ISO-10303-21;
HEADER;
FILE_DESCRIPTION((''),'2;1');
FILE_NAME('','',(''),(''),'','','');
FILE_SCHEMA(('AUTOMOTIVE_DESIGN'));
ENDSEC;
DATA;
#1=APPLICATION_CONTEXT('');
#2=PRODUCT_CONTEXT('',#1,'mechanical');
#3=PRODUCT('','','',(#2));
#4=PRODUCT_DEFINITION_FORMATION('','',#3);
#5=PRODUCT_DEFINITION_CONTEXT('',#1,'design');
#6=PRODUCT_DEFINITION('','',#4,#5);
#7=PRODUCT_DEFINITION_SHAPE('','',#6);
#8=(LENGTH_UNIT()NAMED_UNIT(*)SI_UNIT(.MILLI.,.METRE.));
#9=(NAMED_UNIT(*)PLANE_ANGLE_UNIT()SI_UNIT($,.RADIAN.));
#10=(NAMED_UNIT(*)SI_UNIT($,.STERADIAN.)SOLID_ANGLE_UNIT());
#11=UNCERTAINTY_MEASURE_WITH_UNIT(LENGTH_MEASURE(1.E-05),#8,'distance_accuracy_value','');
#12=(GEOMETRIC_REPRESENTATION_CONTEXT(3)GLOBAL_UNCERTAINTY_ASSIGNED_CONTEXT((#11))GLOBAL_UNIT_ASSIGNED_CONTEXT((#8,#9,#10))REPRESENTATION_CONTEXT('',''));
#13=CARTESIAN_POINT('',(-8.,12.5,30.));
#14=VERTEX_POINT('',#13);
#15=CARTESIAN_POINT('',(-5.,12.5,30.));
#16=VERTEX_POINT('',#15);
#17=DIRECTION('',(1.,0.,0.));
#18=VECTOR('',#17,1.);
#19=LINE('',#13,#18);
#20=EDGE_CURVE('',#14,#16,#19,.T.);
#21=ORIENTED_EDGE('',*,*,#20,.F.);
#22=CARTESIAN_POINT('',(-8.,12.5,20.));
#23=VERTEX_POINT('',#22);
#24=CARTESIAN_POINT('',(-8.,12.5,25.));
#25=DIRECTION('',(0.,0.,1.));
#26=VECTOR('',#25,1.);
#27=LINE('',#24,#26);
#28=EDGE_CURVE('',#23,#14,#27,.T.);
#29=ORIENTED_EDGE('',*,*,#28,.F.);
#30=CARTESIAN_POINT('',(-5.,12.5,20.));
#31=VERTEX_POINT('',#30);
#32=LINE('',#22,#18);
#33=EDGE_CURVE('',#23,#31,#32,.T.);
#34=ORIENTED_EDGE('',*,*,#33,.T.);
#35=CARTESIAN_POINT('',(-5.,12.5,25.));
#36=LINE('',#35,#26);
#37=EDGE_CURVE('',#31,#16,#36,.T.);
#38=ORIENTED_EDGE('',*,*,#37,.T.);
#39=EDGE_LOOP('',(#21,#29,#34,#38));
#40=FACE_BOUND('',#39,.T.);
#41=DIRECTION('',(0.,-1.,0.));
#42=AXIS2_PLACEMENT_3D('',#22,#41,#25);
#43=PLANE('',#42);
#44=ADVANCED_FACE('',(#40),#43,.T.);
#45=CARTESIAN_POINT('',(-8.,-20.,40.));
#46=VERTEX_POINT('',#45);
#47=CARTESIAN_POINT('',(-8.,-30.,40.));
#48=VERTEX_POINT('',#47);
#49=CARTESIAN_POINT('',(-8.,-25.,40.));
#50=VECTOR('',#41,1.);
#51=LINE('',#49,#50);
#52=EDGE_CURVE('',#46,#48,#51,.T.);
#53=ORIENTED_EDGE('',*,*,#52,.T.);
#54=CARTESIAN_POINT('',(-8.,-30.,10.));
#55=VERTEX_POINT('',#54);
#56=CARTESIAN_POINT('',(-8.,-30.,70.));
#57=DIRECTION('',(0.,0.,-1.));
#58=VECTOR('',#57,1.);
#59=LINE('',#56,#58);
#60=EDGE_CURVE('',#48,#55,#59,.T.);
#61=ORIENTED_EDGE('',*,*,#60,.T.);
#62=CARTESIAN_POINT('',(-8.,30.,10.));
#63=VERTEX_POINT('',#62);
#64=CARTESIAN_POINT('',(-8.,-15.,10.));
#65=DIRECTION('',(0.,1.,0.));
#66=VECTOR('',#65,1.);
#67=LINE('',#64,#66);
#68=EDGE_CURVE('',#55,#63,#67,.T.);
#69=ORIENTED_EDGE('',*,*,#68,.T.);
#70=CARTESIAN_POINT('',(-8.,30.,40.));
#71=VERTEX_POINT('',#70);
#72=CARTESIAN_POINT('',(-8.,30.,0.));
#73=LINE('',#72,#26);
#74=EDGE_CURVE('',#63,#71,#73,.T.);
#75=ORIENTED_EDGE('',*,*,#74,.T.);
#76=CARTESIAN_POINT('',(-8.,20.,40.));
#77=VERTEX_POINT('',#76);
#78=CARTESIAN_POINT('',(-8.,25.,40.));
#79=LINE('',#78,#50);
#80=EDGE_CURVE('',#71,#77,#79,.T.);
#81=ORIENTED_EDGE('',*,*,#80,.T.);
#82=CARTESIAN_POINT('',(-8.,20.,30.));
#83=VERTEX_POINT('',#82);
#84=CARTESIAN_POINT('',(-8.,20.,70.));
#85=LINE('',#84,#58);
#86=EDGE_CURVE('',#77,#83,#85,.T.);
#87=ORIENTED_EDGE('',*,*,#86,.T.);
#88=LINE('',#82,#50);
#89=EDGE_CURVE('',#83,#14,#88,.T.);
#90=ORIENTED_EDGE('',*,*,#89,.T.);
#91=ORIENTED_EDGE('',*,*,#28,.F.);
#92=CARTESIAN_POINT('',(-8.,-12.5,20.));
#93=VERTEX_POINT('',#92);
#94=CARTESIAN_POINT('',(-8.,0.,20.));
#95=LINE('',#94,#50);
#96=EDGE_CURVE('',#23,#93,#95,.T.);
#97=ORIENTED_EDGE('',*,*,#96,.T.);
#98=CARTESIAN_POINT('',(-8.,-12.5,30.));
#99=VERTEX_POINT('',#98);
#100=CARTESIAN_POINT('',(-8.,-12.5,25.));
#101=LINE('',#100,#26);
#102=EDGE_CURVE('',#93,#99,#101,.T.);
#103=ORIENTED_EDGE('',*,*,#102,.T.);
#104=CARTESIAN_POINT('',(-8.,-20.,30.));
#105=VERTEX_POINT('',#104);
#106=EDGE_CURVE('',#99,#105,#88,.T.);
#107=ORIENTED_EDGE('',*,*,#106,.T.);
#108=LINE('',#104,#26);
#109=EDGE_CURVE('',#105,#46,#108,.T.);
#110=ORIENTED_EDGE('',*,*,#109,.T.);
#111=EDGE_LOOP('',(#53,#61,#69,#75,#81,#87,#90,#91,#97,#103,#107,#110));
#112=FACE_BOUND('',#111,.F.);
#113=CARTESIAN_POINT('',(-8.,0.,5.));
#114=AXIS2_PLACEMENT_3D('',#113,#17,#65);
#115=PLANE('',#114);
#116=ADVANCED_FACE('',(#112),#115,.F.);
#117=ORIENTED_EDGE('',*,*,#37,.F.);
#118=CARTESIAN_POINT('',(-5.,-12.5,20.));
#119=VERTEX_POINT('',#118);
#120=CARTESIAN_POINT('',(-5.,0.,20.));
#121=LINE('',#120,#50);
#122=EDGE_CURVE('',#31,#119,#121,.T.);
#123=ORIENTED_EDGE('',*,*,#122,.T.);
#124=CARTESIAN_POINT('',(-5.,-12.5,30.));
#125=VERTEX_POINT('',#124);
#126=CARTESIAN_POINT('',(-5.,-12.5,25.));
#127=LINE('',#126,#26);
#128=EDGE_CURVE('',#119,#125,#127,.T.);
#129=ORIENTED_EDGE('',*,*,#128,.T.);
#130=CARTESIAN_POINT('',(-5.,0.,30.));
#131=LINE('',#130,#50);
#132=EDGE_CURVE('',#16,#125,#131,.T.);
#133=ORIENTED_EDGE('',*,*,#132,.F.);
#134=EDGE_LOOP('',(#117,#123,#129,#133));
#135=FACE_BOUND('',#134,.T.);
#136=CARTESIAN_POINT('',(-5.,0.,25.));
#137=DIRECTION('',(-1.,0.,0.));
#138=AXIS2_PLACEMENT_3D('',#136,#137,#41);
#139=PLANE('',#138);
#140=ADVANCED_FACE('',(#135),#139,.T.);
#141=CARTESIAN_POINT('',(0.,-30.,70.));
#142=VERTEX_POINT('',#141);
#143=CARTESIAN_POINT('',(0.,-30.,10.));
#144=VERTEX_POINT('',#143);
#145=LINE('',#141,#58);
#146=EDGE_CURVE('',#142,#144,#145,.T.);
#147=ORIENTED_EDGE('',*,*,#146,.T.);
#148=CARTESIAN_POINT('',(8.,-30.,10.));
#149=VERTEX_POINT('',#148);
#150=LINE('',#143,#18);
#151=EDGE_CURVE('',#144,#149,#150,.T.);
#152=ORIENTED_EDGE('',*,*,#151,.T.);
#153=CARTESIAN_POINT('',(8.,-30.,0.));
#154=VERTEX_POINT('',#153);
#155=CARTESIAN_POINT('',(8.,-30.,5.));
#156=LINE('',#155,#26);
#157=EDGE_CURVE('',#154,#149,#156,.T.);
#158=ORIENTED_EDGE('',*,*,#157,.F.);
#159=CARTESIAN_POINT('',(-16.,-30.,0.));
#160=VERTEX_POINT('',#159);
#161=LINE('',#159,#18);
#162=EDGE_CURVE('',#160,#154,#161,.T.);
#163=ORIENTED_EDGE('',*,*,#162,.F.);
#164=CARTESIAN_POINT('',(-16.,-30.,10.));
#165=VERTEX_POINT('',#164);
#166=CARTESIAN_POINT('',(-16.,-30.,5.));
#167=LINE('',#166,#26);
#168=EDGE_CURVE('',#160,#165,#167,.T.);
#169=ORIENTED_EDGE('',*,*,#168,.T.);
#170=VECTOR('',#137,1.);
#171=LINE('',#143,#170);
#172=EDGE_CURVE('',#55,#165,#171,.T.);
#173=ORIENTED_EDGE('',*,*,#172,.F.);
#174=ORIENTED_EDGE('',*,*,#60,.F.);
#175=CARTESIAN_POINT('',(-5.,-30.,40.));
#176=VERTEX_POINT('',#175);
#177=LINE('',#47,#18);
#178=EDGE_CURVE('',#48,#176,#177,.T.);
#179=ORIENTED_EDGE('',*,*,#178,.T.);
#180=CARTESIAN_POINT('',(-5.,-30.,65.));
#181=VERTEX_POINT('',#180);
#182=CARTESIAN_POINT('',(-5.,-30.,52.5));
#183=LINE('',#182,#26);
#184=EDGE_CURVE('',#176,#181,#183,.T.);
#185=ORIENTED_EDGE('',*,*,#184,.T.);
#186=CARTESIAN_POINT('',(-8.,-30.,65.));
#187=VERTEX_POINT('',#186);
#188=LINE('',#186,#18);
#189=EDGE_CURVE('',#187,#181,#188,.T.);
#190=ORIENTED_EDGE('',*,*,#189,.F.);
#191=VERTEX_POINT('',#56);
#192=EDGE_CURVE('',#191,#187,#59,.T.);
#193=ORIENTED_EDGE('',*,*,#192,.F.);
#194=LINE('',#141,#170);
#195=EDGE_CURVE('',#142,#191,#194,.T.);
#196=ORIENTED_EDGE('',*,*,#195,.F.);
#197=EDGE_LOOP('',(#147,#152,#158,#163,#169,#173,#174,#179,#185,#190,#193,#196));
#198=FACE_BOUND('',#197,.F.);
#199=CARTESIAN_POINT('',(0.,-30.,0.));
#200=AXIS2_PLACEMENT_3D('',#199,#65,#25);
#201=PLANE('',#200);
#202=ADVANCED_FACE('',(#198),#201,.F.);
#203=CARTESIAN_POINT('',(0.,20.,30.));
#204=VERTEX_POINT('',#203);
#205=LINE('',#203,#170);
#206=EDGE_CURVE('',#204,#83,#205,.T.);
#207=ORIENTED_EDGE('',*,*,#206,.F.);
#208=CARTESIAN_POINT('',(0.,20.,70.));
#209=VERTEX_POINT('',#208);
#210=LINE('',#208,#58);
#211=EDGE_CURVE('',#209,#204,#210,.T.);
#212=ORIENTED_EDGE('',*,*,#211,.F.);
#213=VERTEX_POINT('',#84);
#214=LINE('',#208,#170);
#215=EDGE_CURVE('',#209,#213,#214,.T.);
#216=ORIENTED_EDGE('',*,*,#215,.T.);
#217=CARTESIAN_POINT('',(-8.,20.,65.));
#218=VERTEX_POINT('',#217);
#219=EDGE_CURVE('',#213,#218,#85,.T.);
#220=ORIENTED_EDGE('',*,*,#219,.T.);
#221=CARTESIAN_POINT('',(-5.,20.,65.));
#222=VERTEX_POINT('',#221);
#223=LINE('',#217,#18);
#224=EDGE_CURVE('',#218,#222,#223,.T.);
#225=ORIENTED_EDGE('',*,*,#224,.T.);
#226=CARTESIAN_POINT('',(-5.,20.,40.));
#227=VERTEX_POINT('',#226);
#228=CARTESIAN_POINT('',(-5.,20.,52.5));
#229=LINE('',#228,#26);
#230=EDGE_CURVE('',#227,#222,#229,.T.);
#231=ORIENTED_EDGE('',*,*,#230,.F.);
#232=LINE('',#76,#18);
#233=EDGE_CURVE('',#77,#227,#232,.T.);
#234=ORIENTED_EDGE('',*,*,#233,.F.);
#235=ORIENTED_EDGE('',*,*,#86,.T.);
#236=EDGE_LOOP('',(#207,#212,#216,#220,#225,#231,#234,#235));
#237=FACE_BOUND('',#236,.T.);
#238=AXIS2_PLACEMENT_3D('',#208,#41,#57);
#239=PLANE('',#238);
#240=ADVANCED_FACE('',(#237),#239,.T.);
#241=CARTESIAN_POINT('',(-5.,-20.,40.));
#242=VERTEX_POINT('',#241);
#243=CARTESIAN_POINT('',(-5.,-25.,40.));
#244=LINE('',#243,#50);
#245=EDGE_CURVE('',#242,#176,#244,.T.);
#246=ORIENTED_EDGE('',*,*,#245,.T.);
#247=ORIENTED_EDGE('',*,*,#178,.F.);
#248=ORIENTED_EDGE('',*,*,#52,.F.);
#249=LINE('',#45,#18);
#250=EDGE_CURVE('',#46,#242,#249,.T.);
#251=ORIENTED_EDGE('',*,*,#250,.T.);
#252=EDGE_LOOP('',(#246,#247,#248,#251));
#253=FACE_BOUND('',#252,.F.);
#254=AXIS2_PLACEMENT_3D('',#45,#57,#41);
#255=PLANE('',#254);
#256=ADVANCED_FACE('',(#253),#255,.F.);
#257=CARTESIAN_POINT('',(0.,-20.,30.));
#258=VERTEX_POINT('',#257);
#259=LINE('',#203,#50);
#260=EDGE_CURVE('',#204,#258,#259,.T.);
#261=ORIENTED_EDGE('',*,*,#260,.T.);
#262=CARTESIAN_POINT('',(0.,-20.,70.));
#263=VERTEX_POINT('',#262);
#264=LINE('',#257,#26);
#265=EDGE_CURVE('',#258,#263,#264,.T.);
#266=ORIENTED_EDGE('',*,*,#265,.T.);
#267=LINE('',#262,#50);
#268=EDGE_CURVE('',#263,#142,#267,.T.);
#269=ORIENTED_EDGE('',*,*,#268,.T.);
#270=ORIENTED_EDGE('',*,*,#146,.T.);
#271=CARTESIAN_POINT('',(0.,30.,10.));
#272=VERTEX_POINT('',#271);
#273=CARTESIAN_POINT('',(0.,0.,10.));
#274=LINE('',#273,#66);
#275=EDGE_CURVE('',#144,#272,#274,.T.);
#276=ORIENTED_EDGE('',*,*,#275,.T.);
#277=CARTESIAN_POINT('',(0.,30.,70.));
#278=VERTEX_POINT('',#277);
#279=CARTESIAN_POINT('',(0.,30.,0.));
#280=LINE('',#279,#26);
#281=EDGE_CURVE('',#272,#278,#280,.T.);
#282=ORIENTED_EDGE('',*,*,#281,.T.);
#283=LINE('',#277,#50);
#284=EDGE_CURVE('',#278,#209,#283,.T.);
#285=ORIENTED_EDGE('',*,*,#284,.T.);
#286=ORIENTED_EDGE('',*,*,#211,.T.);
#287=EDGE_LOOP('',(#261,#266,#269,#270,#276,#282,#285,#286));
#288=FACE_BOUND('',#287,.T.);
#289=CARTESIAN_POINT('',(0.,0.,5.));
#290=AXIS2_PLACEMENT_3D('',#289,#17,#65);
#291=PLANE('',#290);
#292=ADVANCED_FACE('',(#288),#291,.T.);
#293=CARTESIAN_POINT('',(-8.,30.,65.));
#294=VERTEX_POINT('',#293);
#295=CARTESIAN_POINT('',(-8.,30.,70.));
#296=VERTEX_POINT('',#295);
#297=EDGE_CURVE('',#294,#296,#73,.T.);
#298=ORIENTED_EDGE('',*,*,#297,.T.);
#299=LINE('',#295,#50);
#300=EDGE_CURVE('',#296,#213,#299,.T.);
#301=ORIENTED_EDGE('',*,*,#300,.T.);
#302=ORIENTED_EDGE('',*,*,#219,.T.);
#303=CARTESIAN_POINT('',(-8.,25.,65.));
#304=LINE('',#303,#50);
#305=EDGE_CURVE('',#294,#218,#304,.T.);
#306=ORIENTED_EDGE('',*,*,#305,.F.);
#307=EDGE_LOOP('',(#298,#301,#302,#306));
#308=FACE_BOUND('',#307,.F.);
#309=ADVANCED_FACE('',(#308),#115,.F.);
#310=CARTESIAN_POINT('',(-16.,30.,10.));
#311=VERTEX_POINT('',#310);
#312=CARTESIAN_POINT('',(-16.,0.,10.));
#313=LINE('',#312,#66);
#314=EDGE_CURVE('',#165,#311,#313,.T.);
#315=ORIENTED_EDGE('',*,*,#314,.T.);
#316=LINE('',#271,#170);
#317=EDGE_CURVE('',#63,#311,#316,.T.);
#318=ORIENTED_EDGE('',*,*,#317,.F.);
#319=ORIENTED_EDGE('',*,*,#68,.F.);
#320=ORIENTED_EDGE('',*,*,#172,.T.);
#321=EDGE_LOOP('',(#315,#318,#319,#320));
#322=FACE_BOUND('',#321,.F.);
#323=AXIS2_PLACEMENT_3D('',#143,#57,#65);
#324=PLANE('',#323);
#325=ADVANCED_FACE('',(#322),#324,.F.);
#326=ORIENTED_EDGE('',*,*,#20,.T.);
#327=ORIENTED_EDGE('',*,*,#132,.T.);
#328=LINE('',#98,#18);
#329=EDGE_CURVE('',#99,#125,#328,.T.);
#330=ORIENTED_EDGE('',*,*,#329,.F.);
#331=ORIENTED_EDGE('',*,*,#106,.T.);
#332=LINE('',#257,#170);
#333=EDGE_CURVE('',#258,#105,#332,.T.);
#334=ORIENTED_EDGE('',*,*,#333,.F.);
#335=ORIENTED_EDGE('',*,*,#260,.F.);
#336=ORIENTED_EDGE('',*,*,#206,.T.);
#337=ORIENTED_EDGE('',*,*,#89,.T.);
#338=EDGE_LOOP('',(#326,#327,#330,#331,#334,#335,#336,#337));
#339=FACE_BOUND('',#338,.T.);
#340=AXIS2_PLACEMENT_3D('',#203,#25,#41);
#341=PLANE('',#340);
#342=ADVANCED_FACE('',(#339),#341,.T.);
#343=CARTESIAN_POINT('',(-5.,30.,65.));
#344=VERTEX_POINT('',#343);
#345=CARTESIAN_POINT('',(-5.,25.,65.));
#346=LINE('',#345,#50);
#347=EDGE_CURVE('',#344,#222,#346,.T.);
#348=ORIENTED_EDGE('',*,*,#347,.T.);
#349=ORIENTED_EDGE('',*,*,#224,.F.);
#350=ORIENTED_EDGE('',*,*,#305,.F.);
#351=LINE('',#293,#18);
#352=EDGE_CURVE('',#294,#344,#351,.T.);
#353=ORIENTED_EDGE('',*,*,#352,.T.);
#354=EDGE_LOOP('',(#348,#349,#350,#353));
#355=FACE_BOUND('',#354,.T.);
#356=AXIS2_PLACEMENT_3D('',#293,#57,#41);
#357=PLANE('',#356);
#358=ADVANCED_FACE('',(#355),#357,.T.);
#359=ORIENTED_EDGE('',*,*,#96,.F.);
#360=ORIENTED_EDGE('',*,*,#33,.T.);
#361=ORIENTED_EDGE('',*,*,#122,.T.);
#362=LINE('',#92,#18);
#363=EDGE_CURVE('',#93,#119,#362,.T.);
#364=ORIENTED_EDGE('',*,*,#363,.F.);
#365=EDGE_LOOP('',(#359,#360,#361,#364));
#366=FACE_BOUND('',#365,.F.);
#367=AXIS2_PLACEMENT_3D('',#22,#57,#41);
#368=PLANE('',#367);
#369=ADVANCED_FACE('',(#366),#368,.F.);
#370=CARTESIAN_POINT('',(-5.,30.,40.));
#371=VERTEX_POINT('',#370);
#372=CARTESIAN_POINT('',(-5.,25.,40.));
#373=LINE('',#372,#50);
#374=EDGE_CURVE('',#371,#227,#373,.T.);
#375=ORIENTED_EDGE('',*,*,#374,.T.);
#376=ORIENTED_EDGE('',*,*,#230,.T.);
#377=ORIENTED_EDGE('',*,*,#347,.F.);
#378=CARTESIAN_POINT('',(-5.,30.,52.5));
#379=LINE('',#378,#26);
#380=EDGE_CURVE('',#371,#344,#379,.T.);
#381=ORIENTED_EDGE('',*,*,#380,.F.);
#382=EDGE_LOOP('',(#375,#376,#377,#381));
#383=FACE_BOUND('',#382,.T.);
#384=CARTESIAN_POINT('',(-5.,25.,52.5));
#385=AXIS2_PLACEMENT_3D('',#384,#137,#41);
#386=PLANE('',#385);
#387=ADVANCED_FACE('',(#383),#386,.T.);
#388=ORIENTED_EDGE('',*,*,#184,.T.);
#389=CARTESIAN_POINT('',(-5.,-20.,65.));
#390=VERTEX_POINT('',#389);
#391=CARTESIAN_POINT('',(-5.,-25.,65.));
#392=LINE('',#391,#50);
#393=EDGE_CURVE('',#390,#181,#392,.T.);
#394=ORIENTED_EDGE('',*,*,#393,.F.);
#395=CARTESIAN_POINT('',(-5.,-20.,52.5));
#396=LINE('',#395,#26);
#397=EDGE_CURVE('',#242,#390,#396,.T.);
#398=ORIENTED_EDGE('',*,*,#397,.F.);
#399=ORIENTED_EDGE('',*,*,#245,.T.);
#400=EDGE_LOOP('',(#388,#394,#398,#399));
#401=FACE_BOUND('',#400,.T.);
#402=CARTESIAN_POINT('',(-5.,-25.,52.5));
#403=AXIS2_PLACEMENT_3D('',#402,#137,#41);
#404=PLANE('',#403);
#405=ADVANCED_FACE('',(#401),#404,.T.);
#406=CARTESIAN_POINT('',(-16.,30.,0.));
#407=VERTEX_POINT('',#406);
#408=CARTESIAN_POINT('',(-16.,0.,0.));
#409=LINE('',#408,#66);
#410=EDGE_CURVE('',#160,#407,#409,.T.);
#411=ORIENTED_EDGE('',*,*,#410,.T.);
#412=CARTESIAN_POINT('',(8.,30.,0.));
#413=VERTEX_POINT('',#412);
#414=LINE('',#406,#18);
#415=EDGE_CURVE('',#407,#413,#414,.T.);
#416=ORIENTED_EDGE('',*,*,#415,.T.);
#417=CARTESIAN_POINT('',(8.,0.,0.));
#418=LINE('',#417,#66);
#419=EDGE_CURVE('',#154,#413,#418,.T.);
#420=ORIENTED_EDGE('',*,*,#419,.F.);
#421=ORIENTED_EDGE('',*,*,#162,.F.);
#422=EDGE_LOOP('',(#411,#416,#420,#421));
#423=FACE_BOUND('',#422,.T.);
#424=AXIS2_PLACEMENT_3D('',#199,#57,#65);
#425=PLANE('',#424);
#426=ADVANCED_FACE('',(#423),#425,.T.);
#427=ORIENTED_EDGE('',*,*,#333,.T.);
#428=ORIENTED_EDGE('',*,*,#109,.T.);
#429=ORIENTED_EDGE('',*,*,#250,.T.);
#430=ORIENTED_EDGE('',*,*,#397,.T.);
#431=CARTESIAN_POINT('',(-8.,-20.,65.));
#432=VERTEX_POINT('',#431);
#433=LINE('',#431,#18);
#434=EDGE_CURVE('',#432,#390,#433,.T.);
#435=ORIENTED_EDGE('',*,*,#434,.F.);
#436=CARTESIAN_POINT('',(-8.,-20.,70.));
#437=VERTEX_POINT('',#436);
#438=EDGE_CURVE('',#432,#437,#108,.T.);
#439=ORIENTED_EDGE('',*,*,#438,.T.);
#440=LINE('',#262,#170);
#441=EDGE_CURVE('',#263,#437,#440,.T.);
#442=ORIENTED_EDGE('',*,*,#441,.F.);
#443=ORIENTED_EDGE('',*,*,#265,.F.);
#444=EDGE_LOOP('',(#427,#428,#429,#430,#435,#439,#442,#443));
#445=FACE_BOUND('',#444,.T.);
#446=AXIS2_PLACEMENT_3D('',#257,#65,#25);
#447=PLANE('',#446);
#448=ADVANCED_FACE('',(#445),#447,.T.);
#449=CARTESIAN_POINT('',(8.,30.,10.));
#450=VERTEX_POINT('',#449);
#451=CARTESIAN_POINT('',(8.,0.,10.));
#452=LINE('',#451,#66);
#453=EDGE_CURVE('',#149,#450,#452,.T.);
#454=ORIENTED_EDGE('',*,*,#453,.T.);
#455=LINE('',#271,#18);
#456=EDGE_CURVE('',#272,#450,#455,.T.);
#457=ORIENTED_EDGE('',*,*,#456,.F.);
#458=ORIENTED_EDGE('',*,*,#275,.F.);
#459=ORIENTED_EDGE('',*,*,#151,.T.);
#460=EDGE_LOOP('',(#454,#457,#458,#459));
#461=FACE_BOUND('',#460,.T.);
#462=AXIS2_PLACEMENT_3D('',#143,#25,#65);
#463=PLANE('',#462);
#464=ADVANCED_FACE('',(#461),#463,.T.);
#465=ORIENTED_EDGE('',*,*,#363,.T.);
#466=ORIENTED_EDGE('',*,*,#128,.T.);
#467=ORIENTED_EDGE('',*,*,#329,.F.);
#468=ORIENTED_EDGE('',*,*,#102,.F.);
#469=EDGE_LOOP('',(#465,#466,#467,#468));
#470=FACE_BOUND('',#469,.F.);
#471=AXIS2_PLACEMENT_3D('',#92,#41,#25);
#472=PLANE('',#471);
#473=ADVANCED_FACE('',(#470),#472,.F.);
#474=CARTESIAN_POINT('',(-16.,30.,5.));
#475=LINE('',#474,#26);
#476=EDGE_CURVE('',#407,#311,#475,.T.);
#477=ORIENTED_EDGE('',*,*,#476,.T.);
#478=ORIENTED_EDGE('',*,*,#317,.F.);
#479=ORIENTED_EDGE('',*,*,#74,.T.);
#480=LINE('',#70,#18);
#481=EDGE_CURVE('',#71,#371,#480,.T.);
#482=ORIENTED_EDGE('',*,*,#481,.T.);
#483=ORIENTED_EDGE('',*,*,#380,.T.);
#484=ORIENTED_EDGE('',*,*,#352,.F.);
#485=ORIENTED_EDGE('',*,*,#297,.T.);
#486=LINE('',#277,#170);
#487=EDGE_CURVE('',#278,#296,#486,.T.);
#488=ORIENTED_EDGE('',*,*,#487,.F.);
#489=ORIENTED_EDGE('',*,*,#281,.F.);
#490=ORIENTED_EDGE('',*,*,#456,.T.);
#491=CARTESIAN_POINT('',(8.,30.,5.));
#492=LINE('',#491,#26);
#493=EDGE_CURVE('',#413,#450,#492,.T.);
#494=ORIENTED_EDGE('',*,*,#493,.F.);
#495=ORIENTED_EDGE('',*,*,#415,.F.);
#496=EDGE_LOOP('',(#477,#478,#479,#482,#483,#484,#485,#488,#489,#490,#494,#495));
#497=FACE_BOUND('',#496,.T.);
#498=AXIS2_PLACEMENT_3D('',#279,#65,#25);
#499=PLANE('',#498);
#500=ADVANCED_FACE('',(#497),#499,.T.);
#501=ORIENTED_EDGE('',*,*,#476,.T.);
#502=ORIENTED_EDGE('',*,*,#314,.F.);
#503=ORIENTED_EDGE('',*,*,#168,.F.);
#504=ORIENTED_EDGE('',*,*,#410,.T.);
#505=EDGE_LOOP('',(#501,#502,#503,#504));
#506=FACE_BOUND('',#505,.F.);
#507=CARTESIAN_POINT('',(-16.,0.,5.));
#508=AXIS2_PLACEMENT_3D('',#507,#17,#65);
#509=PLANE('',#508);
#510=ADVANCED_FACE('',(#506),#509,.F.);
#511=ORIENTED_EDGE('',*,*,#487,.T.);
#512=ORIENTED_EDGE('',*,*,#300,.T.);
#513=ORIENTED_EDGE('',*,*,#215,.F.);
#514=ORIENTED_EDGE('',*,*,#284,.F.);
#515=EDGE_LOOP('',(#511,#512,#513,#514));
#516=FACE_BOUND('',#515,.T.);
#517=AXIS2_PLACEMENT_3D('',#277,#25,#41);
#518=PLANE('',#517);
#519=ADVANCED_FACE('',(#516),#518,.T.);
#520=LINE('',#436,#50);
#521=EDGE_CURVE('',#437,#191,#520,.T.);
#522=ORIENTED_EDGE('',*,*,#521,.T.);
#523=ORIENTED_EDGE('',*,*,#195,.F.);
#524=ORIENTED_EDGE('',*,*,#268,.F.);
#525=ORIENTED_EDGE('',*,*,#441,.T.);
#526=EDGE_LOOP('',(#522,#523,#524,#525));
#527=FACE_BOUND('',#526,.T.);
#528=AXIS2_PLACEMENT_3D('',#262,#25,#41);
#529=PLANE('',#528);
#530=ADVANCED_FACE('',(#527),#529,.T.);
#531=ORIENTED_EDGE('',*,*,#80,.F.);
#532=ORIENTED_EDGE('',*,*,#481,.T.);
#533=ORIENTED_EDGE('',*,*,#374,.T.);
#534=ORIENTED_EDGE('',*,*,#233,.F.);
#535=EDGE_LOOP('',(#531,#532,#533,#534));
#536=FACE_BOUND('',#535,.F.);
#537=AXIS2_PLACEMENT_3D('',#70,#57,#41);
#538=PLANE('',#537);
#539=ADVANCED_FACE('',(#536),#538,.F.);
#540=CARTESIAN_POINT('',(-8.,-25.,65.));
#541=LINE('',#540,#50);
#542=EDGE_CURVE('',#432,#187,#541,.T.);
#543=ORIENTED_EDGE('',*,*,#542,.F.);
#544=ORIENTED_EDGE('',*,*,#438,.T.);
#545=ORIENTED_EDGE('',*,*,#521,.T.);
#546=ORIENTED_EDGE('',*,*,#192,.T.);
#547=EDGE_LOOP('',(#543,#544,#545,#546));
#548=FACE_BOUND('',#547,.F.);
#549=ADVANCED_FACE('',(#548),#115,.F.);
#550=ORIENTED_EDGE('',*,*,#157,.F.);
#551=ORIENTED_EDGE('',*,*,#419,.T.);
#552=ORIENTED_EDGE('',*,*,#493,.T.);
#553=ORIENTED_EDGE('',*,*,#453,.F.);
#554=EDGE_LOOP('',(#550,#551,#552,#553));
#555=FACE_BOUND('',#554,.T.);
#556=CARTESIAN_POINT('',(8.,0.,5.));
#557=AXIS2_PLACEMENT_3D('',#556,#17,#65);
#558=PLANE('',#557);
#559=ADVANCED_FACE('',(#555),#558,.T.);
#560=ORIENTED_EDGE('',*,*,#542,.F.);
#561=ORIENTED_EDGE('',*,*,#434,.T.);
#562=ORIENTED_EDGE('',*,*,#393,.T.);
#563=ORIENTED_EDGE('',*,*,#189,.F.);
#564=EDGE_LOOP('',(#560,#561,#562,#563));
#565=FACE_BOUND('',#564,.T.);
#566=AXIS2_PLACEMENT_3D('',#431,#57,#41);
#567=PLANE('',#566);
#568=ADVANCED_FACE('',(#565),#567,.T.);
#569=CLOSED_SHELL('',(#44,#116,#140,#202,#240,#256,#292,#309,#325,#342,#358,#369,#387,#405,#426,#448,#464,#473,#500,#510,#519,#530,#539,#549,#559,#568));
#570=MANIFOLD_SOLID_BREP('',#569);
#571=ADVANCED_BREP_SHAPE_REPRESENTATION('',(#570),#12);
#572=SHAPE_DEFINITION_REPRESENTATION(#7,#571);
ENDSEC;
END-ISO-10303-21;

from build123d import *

# Parameters (mm, degrees)
F0_W     = 60
F0_H     = 10
F1_DEPTH = 8
F2_DEPTH = 8
F3_W     = 10
F3_H     = 25
F3_W_2   = 25
F3_H_2   = 10
F4_DEPTH = 3
F5_DEPTH = 16


with BuildPart() as f1:
    # F0 (on Right) → F1 (new body)
    with BuildSketch(Plane.YZ):
        with Locations((0, 5)):
            Rectangle(F0_W, F0_H)
        Polygon((-30, 70), (-30, 10), (30, 10), (30, 70), (20, 70), (20, 30), (-20, 30), (-20, 70), align=None)
    extrude(amount=-F1_DEPTH)

    # F0 (on Right) → F2 (join)
    with BuildSketch(Plane.YZ):
        with Locations((0, 5)):
            Rectangle(F0_W, F0_H)
    extrude(amount=F2_DEPTH)

    # F3 (on face) → F4 (cut)
    with BuildSketch(Plane(origin=(-8, 0, 0), x_dir=(0, -1, 0), z_dir=(-1, 0, 0))):
        with Locations((-25, 52.5)):
            Rectangle(F3_W, F3_H)
        with Locations((25, 52.5)):
            Rectangle(F3_W, F3_H)
        with Locations((0, 25)):
            Rectangle(F3_W_2, F3_H_2)
    extrude(amount=-F4_DEPTH, mode=Mode.SUBTRACT)

    # F0 (on Right) → F5 (join)
    with BuildSketch(Plane.YZ):
        with Locations((0, 5)):
            Rectangle(F0_W, F0_H)
    extrude(amount=-F5_DEPTH)


solid = f1.part
